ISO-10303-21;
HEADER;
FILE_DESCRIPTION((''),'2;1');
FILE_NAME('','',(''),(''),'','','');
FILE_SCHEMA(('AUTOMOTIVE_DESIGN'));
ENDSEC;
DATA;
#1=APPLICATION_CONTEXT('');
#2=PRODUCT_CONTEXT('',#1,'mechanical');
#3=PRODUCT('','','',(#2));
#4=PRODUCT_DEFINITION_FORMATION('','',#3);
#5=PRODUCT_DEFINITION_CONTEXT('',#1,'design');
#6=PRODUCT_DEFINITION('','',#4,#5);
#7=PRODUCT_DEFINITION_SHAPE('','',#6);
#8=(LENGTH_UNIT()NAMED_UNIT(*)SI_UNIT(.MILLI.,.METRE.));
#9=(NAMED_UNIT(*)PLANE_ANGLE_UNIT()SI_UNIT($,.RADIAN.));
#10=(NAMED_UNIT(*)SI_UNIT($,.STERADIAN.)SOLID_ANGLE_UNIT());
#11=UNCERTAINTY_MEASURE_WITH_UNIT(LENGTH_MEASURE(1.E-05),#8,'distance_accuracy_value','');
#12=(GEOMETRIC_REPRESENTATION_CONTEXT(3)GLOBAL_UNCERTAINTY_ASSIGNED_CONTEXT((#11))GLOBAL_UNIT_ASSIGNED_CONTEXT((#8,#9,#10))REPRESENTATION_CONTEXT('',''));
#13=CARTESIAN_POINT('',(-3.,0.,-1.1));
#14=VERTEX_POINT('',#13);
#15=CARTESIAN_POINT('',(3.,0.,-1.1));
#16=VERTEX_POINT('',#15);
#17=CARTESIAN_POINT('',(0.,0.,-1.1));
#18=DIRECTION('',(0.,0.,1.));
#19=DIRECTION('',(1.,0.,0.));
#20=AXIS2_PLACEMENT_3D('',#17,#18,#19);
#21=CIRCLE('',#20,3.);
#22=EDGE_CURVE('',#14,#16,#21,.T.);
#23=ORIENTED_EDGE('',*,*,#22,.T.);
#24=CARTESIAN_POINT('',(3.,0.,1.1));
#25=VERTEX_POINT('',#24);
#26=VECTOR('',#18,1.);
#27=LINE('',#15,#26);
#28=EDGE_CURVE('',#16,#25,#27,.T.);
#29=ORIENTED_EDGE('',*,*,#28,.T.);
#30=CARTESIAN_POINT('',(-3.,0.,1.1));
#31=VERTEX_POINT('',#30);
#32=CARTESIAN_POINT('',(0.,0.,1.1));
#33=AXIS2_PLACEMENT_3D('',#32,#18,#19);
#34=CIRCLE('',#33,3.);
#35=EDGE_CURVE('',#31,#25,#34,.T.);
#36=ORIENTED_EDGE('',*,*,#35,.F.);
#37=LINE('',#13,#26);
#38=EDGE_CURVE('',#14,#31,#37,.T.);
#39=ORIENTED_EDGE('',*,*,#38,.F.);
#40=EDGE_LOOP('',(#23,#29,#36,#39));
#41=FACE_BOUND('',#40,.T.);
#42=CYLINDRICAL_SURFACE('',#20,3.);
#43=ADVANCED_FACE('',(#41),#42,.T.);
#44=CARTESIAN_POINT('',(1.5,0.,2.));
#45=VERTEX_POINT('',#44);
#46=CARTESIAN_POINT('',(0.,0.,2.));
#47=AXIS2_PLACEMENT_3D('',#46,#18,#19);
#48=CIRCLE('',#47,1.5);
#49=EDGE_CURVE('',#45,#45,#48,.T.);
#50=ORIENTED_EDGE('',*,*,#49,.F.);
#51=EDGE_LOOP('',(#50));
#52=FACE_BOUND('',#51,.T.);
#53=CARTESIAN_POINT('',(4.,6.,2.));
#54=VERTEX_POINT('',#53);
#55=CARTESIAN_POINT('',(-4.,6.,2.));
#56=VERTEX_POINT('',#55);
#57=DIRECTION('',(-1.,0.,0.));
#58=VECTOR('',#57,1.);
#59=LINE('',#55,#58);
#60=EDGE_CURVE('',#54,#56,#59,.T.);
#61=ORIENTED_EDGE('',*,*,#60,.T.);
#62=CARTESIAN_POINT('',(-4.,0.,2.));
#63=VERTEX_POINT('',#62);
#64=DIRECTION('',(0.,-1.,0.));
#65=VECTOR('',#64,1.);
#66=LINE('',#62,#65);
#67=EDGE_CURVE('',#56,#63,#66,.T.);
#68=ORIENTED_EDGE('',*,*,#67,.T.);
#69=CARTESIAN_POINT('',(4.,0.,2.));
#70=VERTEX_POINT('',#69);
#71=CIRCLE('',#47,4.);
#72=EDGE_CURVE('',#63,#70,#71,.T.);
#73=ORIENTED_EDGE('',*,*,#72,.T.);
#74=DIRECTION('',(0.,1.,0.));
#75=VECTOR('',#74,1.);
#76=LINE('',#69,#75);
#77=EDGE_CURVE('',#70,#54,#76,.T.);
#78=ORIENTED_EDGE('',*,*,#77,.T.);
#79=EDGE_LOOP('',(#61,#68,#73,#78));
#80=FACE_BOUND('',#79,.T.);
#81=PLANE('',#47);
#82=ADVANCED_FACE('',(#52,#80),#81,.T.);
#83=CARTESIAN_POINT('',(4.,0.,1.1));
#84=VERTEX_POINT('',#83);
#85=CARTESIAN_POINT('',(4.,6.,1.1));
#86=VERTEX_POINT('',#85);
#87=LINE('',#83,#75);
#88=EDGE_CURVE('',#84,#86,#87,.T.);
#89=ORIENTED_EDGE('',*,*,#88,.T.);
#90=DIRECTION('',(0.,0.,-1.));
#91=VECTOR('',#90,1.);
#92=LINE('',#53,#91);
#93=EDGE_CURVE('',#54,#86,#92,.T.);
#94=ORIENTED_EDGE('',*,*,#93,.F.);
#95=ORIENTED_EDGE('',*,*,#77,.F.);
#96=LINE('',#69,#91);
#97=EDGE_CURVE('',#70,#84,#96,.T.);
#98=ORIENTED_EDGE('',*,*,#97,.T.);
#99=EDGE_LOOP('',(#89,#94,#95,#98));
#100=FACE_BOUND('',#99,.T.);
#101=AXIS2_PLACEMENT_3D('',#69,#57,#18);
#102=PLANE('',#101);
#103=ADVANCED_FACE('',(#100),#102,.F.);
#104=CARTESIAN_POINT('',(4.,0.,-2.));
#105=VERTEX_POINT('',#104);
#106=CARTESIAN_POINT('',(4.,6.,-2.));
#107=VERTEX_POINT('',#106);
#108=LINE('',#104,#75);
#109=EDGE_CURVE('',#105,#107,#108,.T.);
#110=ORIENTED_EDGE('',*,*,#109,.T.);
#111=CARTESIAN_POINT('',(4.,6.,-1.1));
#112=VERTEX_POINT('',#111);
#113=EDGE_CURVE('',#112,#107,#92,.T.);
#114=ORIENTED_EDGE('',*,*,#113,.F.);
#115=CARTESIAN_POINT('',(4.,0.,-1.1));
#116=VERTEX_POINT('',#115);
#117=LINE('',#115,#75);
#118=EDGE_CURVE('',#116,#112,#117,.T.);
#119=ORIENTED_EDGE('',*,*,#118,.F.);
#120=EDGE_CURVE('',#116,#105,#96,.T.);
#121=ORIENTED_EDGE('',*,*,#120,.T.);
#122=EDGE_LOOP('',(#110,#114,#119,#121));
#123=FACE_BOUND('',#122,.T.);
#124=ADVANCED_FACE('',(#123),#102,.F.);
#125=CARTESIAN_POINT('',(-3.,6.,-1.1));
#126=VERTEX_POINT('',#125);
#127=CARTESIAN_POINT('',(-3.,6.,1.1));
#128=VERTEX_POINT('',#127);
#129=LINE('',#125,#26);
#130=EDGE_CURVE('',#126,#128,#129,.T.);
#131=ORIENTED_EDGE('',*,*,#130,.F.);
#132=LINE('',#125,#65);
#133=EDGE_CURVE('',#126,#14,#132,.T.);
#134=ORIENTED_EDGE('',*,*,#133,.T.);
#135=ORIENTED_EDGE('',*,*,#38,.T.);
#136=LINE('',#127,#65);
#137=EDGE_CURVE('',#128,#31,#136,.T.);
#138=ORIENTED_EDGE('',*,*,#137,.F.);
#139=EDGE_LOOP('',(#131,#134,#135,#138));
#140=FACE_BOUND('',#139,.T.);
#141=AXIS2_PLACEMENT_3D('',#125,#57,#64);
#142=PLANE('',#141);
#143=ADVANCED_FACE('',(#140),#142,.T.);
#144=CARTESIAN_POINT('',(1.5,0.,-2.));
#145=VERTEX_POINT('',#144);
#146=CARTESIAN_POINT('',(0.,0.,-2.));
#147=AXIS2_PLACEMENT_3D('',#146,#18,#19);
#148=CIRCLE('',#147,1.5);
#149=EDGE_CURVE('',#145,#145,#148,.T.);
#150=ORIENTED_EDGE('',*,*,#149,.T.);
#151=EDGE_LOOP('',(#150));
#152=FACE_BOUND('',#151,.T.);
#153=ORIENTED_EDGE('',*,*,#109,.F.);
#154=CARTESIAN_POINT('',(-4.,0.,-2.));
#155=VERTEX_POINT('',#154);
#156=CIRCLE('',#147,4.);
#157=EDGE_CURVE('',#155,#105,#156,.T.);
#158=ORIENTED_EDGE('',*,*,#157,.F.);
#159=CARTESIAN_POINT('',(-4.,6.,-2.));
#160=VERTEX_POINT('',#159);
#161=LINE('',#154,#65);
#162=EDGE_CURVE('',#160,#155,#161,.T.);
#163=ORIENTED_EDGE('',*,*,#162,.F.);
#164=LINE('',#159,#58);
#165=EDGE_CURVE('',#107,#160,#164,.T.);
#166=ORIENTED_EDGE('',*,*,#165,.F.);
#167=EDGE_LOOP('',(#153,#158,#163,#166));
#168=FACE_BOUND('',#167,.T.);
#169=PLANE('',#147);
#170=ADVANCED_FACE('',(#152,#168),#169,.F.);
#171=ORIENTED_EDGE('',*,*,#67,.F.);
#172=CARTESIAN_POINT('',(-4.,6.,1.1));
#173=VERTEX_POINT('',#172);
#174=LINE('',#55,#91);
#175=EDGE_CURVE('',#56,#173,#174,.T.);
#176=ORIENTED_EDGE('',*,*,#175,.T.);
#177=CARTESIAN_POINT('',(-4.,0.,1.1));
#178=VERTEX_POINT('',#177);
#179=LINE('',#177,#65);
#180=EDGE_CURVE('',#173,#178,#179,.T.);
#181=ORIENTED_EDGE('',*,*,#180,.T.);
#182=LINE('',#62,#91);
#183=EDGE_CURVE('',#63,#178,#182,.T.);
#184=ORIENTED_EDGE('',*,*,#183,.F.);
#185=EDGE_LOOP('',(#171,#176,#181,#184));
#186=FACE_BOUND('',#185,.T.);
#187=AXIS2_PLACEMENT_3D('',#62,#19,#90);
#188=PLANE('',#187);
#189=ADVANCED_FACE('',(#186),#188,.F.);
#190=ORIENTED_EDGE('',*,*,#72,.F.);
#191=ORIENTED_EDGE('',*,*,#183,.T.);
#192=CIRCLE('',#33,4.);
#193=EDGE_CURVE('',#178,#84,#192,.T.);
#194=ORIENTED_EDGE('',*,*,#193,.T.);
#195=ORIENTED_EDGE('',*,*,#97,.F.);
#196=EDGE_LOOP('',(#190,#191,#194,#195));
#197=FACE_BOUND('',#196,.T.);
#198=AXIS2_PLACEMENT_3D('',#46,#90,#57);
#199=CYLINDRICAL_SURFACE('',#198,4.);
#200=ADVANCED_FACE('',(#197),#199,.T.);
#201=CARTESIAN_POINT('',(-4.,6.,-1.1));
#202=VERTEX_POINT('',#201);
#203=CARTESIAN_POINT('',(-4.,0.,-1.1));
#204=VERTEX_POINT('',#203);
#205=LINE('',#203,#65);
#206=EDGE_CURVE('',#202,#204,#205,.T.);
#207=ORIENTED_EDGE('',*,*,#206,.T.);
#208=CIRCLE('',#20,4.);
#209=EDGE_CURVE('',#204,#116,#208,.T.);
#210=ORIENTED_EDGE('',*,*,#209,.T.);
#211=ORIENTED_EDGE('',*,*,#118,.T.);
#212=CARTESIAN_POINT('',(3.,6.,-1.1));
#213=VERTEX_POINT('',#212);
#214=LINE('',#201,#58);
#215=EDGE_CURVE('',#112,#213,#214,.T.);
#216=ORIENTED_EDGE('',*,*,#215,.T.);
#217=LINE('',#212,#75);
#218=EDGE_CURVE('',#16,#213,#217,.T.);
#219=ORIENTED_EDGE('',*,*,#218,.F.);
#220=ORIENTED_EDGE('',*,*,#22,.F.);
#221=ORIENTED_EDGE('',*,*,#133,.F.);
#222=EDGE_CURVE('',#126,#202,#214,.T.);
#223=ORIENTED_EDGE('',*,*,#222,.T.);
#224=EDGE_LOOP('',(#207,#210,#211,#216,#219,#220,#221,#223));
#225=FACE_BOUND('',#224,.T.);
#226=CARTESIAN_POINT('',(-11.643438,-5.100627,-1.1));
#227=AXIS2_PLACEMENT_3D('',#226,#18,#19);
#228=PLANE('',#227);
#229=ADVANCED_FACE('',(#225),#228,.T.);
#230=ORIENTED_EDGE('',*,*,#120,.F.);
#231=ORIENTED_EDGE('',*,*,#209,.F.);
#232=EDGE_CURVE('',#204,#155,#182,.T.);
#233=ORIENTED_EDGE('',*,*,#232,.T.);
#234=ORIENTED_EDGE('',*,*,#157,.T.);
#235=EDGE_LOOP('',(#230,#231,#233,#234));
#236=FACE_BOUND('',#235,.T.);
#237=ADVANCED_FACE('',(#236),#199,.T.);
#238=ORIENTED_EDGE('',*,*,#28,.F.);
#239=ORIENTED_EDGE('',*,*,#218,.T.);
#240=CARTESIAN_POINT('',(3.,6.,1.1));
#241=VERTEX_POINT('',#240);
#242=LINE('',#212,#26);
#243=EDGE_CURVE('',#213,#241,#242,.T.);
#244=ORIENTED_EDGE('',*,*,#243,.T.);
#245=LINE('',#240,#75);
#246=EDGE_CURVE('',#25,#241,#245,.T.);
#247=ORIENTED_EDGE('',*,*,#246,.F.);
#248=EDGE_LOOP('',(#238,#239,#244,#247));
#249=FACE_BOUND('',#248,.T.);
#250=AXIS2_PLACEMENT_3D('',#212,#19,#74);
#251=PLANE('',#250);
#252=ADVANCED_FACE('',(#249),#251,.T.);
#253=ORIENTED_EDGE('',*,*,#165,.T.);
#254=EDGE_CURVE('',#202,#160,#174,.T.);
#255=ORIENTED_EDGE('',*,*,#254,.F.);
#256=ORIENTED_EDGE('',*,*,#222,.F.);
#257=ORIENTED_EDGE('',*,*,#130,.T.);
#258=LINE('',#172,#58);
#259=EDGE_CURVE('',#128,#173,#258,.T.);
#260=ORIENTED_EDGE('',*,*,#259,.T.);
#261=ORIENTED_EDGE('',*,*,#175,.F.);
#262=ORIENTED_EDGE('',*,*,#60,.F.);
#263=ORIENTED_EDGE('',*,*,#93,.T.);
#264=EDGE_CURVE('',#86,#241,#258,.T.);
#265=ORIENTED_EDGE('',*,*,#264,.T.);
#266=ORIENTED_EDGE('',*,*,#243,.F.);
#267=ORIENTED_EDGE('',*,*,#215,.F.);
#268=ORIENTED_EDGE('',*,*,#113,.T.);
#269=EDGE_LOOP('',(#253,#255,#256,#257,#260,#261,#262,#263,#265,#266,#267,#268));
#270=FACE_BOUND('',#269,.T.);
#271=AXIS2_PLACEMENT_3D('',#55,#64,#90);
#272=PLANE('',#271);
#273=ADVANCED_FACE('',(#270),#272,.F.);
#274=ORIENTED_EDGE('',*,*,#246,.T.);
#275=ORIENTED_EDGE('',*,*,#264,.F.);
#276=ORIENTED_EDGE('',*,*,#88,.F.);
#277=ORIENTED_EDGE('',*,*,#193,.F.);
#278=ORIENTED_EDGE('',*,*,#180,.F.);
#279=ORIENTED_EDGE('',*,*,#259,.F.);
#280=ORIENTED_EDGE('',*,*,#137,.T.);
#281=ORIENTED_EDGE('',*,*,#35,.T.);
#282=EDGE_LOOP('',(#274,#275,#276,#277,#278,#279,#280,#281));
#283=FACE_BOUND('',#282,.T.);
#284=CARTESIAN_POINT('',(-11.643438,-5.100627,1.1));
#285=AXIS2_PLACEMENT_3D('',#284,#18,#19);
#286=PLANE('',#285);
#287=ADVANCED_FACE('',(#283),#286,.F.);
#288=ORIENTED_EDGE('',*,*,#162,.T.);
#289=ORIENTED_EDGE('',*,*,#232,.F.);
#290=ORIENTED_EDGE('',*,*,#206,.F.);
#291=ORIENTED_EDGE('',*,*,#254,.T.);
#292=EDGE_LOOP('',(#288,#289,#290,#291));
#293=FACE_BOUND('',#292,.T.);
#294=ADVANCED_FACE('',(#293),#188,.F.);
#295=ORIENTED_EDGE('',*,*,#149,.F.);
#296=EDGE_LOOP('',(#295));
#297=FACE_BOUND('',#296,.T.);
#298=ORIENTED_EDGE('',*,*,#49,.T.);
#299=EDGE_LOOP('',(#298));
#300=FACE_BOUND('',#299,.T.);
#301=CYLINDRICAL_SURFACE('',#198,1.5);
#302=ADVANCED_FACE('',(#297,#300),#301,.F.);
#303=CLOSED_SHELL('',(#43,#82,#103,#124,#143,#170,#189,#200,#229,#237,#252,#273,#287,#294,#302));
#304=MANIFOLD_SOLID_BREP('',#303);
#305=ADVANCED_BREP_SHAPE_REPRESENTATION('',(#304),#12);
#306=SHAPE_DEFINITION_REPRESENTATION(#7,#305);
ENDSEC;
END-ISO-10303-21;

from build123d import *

# Parameters (mm, degrees)
SKIZZE1_R                       = 1.5
AUFSATZ_LINEAR_AUSTRAGEN1_DEPTH = 2
SKIZZE2_OUTSIDE_W               = 12.684
SKIZZE2_OUTSIDE_H               = 14.684
SCHNITT_LINEAR_AUSTRAGEN1_DEPTH = 1.1


with BuildPart() as part:
    # Skizze1 → Aufsatz-Linear austragen1 (new body, symmetric)
    with BuildSketch(Plane.XY):
        with BuildLine():
            Line((-4, 0), (-4, 6))
            Line((-4, 6), (4, 6))
            Line((4, 6), (4, 0))
            ThreePointArc((4, 0), (0, -4), (-4, 0))
        make_face()
        Circle(SKIZZE1_R, mode=Mode.SUBTRACT)
    extrude(amount=AUFSATZ_LINEAR_AUSTRAGEN1_DEPTH, both=True)

    # Skizze2 outside → Schnitt-Linear austragen1 (cut, symmetric)
    with BuildSketch(Plane.XY):
        with Locations((0, 1)):
            Rectangle(SKIZZE2_OUTSIDE_W, SKIZZE2_OUTSIDE_H)
        with BuildLine():
            Line((-3, 6), (3, 6))
            Line((3, 6), (3, 0))
            ThreePointArc((3, 0), (0, -3), (-3, 0))
            Line((-3, 0), (-3, 6))
        make_face(mode=Mode.SUBTRACT)
    extrude(amount=SCHNITT_LINEAR_AUSTRAGEN1_DEPTH, both=True, mode=Mode.SUBTRACT)


solid = part.part
